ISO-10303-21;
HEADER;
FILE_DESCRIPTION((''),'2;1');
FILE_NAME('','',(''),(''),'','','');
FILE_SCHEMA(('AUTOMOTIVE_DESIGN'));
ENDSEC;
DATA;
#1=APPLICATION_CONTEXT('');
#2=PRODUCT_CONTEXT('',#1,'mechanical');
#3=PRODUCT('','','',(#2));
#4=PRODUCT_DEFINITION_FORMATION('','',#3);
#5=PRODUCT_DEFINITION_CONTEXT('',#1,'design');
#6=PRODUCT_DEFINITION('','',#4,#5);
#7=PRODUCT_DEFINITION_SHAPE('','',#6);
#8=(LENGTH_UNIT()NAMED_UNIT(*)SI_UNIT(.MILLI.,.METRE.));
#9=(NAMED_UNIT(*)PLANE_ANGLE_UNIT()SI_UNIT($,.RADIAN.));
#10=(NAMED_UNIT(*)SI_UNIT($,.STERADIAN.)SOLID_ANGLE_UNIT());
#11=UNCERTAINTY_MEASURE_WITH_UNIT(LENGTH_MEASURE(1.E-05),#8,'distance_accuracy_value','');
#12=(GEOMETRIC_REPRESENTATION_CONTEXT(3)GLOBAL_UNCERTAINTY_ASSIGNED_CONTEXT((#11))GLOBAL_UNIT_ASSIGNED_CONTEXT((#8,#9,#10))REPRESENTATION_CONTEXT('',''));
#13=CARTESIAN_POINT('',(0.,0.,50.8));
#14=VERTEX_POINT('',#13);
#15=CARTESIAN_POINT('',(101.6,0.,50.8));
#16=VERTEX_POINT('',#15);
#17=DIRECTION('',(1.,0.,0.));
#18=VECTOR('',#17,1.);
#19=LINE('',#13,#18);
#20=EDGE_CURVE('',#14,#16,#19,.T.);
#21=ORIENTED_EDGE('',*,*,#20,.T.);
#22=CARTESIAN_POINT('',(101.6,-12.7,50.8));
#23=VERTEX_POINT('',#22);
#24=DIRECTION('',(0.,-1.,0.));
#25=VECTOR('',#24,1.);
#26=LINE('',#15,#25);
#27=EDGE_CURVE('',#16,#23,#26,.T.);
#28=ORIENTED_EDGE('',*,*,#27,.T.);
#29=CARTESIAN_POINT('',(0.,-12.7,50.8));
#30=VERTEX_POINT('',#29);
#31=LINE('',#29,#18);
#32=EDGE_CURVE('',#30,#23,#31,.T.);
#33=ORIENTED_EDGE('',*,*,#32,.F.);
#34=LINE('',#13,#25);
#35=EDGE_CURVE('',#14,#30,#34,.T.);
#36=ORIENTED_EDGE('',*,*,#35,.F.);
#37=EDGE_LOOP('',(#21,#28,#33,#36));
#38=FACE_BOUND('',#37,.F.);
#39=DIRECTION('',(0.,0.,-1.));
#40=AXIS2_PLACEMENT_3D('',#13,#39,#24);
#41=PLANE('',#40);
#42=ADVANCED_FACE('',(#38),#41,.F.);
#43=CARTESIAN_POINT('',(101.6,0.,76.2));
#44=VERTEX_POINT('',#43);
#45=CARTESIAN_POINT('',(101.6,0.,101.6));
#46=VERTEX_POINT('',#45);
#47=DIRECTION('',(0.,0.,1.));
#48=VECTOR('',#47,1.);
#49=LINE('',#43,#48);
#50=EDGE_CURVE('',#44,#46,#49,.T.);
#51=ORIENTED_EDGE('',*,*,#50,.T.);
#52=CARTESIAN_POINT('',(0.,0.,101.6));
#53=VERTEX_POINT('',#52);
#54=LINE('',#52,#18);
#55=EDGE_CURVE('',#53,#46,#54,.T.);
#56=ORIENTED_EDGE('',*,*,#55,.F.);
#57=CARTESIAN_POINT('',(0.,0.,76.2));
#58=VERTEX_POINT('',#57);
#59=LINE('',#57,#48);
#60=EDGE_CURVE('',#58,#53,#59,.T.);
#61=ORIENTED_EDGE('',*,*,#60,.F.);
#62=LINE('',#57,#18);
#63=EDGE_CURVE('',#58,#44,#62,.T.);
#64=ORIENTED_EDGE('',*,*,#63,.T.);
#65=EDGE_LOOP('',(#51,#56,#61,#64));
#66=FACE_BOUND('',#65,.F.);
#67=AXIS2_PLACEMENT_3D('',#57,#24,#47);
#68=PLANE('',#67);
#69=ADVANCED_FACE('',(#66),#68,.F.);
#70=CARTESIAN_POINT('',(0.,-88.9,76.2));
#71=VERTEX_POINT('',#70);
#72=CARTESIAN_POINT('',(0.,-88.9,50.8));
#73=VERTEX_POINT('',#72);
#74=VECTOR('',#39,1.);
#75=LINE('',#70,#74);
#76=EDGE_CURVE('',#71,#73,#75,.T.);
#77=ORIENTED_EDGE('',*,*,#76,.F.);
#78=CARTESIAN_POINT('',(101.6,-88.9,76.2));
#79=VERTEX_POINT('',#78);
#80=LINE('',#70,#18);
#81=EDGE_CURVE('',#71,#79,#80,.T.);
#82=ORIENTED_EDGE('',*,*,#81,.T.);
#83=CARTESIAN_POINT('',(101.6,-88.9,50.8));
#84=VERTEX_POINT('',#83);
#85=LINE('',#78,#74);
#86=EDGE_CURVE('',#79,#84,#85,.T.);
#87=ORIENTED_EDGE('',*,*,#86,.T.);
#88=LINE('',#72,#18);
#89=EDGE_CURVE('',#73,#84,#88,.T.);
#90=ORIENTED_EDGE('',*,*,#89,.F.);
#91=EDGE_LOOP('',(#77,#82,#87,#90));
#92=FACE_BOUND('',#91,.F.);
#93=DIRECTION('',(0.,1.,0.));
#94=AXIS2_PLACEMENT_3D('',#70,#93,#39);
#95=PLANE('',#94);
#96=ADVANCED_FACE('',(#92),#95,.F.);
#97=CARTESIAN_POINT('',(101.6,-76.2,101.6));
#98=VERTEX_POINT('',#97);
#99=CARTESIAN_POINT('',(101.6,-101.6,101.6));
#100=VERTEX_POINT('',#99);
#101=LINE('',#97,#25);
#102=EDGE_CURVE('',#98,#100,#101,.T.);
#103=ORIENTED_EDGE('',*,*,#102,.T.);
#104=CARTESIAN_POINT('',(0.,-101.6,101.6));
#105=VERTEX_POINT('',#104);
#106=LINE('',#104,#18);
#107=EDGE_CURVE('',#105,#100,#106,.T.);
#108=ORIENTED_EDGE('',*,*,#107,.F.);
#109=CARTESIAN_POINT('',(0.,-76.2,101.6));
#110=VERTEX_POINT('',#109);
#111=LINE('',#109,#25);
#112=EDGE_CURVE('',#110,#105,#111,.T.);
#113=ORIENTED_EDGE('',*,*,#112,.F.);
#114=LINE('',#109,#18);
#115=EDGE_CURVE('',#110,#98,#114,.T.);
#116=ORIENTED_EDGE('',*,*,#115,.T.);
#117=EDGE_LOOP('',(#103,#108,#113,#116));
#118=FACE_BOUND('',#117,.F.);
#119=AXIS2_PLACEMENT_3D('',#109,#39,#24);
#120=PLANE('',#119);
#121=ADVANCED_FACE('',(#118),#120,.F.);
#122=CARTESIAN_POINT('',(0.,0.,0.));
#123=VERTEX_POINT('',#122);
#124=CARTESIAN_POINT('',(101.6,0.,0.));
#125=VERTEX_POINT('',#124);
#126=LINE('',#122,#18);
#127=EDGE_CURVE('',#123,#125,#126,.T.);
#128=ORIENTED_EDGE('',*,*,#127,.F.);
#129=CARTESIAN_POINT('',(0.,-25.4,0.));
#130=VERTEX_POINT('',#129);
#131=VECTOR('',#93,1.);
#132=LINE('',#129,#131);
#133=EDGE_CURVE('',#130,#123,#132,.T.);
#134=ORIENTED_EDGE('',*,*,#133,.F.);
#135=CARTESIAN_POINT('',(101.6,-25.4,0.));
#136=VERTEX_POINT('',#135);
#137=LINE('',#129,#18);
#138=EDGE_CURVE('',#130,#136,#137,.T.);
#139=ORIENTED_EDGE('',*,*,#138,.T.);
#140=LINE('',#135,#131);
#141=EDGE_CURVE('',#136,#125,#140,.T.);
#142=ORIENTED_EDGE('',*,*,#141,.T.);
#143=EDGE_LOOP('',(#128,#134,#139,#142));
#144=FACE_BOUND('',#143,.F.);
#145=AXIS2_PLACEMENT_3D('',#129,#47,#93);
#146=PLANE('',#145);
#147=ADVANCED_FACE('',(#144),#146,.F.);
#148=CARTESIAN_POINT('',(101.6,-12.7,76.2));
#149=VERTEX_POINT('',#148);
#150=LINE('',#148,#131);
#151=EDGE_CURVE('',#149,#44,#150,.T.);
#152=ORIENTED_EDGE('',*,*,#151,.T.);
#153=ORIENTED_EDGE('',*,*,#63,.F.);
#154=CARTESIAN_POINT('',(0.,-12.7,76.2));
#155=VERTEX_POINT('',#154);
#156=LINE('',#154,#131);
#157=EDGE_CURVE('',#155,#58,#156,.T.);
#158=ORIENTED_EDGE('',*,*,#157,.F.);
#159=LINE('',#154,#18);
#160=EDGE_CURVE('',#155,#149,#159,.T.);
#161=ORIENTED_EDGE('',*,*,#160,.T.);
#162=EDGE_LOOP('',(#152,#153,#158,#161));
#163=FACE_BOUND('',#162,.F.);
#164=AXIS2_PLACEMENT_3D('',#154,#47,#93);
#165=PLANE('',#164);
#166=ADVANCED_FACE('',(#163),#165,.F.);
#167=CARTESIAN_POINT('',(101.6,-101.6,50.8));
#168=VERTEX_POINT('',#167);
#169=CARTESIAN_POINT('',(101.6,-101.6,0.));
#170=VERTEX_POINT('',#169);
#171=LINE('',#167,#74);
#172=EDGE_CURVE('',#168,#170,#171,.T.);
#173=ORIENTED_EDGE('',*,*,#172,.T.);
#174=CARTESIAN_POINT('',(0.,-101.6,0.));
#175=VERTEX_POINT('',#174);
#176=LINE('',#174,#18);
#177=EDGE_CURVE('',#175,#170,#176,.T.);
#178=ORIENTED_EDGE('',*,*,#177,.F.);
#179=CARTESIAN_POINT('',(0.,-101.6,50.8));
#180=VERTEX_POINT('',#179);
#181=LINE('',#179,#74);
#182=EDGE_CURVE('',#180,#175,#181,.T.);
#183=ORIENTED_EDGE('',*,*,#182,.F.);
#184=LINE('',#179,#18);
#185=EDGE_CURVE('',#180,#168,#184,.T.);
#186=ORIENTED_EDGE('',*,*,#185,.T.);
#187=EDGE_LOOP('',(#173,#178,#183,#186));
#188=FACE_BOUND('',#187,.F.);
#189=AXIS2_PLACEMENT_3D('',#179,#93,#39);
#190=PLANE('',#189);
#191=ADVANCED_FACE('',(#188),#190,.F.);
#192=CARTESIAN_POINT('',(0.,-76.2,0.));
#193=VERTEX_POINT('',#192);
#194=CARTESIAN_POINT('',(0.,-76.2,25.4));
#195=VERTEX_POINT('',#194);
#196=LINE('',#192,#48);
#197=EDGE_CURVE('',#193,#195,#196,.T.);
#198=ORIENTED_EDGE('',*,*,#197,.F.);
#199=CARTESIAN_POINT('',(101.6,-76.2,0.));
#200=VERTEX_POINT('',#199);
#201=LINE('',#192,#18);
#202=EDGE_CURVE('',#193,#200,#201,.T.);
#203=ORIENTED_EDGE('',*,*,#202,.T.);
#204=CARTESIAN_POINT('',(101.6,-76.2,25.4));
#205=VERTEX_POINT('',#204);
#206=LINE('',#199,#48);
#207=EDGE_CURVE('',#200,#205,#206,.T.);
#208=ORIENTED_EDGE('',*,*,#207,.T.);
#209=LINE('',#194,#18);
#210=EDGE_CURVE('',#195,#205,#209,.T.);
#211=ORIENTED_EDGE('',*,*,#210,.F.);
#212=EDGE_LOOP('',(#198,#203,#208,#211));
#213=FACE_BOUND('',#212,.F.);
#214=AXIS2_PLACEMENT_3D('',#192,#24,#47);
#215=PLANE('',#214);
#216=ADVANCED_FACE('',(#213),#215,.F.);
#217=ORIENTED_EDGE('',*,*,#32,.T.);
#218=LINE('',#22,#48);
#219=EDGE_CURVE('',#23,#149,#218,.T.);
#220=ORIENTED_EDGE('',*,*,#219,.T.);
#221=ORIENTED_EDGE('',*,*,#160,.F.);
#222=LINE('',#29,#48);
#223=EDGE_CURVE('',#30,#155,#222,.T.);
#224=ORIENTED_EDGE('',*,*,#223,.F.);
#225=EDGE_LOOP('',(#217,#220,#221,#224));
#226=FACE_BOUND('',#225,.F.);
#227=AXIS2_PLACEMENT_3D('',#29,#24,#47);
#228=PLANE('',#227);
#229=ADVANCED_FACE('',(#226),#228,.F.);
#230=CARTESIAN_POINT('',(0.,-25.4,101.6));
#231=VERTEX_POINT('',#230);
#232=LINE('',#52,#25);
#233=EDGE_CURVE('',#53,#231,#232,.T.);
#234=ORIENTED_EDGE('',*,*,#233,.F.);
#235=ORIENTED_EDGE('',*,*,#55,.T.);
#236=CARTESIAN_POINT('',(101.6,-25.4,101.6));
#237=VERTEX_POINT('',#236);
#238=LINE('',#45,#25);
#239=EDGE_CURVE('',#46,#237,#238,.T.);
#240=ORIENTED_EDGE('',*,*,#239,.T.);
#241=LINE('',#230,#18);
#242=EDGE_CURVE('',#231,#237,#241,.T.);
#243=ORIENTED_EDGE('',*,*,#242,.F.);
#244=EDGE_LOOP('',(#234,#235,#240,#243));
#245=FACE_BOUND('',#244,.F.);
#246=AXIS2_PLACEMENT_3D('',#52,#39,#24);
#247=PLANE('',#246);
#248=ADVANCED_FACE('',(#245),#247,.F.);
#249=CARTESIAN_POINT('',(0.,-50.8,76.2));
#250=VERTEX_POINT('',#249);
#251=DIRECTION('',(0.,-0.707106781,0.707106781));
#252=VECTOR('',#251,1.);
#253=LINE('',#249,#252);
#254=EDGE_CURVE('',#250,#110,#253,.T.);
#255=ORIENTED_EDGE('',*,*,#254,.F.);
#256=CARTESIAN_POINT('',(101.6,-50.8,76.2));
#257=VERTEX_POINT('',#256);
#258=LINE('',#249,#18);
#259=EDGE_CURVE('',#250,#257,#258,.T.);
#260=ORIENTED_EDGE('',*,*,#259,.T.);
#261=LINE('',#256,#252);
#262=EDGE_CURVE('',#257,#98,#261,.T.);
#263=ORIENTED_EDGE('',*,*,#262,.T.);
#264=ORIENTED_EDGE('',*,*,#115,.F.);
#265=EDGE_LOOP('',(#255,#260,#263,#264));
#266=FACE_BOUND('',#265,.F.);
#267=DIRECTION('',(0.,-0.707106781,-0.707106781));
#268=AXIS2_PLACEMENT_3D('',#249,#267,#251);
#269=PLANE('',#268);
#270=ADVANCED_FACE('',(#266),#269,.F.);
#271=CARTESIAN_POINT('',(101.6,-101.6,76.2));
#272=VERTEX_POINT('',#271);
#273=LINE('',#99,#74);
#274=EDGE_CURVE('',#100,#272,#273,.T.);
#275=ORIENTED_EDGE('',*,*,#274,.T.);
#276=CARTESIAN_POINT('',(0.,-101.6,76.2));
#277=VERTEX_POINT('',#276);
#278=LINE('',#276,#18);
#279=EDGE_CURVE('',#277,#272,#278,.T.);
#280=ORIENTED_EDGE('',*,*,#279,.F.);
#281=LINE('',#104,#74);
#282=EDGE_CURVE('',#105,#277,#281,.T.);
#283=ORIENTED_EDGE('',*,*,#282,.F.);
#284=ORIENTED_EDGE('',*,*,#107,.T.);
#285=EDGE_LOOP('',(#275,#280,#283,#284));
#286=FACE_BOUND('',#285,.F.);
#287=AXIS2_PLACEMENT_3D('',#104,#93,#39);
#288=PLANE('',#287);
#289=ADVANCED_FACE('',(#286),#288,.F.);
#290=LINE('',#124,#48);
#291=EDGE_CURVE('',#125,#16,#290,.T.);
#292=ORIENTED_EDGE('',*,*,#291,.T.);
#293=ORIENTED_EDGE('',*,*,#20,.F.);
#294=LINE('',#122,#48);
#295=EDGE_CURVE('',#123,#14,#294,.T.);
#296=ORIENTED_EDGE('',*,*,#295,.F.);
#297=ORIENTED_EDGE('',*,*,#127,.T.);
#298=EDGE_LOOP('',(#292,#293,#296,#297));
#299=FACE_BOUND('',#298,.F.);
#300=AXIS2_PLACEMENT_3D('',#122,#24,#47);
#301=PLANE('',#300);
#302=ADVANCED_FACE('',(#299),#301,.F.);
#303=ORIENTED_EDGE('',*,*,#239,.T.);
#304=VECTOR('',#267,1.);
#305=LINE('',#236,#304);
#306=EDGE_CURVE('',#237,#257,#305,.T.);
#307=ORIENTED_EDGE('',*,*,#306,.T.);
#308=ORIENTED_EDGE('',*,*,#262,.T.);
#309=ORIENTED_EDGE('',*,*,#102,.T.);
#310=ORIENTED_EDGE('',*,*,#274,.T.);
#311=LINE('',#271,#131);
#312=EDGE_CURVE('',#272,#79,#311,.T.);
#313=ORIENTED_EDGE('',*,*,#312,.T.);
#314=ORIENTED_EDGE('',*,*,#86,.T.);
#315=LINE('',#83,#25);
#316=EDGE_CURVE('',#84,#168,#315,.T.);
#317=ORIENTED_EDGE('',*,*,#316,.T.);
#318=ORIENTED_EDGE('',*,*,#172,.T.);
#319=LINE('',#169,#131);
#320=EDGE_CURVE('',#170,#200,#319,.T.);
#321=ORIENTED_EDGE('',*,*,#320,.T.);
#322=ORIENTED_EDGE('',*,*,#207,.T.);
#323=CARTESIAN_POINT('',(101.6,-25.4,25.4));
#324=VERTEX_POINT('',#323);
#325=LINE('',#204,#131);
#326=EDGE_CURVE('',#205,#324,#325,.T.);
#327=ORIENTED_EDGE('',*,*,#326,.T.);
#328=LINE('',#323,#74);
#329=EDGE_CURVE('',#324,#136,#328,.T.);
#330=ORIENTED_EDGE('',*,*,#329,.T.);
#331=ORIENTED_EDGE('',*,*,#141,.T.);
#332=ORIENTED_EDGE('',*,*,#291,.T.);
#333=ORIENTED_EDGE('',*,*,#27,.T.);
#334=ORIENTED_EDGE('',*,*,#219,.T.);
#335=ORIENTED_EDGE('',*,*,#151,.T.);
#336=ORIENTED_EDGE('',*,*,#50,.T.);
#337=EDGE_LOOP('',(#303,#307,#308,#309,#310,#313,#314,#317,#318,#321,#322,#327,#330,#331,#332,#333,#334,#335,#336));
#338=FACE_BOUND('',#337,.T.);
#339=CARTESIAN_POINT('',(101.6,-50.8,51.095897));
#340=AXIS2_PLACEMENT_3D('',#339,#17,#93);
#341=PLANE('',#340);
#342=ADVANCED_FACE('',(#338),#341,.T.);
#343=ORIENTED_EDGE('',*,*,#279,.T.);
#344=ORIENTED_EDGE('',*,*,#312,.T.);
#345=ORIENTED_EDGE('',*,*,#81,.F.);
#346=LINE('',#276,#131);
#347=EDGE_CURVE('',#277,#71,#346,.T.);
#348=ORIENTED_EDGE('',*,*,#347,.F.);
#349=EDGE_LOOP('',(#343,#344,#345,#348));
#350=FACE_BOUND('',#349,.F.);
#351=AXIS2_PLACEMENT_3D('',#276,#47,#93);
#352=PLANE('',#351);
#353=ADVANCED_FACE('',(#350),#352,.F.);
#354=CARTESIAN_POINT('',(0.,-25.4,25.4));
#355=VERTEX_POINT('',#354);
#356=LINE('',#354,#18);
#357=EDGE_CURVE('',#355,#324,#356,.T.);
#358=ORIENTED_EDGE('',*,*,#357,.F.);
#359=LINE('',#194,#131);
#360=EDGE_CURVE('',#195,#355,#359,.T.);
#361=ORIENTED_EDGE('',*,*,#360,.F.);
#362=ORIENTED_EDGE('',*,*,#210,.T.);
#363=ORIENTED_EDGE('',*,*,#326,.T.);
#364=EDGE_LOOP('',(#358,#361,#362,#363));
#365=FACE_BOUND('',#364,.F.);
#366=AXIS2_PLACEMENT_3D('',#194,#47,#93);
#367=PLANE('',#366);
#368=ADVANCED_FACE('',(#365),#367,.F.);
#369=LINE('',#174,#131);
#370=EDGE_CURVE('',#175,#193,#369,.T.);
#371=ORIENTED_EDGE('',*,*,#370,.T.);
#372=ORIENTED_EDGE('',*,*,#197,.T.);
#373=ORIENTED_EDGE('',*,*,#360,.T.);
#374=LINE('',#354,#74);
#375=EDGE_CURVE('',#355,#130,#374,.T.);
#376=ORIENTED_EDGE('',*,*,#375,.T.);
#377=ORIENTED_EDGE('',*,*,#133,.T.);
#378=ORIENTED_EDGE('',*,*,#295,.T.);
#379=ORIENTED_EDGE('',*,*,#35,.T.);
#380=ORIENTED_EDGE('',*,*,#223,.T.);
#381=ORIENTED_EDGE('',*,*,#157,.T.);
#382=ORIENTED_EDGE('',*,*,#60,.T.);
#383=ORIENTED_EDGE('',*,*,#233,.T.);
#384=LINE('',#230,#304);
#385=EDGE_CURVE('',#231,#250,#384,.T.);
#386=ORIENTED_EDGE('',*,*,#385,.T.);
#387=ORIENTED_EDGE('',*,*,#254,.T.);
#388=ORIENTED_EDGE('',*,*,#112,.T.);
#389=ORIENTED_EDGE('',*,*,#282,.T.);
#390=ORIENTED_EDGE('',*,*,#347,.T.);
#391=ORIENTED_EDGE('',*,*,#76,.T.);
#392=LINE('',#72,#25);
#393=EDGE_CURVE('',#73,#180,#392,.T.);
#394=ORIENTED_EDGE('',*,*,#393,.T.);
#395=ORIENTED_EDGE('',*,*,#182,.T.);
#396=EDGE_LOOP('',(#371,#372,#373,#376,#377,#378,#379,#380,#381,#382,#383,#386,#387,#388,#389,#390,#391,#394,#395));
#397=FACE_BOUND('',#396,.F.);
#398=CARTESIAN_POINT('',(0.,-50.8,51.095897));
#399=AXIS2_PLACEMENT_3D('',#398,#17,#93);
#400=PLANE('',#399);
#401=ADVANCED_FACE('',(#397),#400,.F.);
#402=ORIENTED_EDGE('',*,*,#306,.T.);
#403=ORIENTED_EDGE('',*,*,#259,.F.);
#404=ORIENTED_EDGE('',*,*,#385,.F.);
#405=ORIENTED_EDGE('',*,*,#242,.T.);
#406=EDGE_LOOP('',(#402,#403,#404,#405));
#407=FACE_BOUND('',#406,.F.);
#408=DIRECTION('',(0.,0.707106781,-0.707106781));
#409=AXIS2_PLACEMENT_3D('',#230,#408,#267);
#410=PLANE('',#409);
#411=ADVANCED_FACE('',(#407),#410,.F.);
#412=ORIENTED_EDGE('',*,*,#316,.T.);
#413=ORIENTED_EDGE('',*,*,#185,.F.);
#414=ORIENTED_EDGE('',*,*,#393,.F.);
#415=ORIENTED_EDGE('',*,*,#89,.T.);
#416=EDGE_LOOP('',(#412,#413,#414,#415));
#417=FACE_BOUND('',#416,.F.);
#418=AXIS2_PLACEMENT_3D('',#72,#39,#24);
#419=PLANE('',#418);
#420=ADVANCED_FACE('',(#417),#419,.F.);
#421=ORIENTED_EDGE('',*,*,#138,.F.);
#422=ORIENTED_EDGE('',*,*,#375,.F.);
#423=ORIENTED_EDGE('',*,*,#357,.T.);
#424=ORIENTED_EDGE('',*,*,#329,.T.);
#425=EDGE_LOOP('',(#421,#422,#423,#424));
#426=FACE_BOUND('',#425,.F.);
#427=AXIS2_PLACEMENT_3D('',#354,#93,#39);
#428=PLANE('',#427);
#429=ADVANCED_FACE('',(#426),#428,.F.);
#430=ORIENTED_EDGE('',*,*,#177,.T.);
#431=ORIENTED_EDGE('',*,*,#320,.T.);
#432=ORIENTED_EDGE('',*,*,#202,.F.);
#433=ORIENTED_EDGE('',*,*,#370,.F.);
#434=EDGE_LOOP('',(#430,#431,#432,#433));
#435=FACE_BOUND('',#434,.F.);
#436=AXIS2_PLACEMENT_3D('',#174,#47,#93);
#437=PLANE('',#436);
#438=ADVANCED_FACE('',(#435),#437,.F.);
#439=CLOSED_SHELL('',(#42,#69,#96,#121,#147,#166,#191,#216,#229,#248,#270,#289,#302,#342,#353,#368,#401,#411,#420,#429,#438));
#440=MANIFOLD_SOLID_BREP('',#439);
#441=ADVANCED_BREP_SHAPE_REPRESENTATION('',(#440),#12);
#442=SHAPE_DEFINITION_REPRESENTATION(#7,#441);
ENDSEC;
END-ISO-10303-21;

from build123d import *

# Parameters (mm, degrees)
F1_DEPTH = 101.6


with BuildPart() as f1:
    # F0 (on Right) → F1 (new body)
    with BuildSketch(Plane.YZ):
        Polygon((-25.4, 0), (0, 0), (0, 50.8), (-12.7, 50.8), (-12.7, 76.2), (0, 76.2), (0, 101.6), (-25.4, 101.6), (-50.8, 76.2), (-76.2, 101.6), (-101.6, 101.6), (-101.6, 76.2), (-88.9, 76.2), (-88.9, 50.8), (-101.6, 50.8), (-101.6, 0), (-76.2, 0), (-76.2, 25.4), (-50.8, 25.4), (-25.4, 25.4), align=None)
    extrude(amount=F1_DEPTH)


solid = f1.part
